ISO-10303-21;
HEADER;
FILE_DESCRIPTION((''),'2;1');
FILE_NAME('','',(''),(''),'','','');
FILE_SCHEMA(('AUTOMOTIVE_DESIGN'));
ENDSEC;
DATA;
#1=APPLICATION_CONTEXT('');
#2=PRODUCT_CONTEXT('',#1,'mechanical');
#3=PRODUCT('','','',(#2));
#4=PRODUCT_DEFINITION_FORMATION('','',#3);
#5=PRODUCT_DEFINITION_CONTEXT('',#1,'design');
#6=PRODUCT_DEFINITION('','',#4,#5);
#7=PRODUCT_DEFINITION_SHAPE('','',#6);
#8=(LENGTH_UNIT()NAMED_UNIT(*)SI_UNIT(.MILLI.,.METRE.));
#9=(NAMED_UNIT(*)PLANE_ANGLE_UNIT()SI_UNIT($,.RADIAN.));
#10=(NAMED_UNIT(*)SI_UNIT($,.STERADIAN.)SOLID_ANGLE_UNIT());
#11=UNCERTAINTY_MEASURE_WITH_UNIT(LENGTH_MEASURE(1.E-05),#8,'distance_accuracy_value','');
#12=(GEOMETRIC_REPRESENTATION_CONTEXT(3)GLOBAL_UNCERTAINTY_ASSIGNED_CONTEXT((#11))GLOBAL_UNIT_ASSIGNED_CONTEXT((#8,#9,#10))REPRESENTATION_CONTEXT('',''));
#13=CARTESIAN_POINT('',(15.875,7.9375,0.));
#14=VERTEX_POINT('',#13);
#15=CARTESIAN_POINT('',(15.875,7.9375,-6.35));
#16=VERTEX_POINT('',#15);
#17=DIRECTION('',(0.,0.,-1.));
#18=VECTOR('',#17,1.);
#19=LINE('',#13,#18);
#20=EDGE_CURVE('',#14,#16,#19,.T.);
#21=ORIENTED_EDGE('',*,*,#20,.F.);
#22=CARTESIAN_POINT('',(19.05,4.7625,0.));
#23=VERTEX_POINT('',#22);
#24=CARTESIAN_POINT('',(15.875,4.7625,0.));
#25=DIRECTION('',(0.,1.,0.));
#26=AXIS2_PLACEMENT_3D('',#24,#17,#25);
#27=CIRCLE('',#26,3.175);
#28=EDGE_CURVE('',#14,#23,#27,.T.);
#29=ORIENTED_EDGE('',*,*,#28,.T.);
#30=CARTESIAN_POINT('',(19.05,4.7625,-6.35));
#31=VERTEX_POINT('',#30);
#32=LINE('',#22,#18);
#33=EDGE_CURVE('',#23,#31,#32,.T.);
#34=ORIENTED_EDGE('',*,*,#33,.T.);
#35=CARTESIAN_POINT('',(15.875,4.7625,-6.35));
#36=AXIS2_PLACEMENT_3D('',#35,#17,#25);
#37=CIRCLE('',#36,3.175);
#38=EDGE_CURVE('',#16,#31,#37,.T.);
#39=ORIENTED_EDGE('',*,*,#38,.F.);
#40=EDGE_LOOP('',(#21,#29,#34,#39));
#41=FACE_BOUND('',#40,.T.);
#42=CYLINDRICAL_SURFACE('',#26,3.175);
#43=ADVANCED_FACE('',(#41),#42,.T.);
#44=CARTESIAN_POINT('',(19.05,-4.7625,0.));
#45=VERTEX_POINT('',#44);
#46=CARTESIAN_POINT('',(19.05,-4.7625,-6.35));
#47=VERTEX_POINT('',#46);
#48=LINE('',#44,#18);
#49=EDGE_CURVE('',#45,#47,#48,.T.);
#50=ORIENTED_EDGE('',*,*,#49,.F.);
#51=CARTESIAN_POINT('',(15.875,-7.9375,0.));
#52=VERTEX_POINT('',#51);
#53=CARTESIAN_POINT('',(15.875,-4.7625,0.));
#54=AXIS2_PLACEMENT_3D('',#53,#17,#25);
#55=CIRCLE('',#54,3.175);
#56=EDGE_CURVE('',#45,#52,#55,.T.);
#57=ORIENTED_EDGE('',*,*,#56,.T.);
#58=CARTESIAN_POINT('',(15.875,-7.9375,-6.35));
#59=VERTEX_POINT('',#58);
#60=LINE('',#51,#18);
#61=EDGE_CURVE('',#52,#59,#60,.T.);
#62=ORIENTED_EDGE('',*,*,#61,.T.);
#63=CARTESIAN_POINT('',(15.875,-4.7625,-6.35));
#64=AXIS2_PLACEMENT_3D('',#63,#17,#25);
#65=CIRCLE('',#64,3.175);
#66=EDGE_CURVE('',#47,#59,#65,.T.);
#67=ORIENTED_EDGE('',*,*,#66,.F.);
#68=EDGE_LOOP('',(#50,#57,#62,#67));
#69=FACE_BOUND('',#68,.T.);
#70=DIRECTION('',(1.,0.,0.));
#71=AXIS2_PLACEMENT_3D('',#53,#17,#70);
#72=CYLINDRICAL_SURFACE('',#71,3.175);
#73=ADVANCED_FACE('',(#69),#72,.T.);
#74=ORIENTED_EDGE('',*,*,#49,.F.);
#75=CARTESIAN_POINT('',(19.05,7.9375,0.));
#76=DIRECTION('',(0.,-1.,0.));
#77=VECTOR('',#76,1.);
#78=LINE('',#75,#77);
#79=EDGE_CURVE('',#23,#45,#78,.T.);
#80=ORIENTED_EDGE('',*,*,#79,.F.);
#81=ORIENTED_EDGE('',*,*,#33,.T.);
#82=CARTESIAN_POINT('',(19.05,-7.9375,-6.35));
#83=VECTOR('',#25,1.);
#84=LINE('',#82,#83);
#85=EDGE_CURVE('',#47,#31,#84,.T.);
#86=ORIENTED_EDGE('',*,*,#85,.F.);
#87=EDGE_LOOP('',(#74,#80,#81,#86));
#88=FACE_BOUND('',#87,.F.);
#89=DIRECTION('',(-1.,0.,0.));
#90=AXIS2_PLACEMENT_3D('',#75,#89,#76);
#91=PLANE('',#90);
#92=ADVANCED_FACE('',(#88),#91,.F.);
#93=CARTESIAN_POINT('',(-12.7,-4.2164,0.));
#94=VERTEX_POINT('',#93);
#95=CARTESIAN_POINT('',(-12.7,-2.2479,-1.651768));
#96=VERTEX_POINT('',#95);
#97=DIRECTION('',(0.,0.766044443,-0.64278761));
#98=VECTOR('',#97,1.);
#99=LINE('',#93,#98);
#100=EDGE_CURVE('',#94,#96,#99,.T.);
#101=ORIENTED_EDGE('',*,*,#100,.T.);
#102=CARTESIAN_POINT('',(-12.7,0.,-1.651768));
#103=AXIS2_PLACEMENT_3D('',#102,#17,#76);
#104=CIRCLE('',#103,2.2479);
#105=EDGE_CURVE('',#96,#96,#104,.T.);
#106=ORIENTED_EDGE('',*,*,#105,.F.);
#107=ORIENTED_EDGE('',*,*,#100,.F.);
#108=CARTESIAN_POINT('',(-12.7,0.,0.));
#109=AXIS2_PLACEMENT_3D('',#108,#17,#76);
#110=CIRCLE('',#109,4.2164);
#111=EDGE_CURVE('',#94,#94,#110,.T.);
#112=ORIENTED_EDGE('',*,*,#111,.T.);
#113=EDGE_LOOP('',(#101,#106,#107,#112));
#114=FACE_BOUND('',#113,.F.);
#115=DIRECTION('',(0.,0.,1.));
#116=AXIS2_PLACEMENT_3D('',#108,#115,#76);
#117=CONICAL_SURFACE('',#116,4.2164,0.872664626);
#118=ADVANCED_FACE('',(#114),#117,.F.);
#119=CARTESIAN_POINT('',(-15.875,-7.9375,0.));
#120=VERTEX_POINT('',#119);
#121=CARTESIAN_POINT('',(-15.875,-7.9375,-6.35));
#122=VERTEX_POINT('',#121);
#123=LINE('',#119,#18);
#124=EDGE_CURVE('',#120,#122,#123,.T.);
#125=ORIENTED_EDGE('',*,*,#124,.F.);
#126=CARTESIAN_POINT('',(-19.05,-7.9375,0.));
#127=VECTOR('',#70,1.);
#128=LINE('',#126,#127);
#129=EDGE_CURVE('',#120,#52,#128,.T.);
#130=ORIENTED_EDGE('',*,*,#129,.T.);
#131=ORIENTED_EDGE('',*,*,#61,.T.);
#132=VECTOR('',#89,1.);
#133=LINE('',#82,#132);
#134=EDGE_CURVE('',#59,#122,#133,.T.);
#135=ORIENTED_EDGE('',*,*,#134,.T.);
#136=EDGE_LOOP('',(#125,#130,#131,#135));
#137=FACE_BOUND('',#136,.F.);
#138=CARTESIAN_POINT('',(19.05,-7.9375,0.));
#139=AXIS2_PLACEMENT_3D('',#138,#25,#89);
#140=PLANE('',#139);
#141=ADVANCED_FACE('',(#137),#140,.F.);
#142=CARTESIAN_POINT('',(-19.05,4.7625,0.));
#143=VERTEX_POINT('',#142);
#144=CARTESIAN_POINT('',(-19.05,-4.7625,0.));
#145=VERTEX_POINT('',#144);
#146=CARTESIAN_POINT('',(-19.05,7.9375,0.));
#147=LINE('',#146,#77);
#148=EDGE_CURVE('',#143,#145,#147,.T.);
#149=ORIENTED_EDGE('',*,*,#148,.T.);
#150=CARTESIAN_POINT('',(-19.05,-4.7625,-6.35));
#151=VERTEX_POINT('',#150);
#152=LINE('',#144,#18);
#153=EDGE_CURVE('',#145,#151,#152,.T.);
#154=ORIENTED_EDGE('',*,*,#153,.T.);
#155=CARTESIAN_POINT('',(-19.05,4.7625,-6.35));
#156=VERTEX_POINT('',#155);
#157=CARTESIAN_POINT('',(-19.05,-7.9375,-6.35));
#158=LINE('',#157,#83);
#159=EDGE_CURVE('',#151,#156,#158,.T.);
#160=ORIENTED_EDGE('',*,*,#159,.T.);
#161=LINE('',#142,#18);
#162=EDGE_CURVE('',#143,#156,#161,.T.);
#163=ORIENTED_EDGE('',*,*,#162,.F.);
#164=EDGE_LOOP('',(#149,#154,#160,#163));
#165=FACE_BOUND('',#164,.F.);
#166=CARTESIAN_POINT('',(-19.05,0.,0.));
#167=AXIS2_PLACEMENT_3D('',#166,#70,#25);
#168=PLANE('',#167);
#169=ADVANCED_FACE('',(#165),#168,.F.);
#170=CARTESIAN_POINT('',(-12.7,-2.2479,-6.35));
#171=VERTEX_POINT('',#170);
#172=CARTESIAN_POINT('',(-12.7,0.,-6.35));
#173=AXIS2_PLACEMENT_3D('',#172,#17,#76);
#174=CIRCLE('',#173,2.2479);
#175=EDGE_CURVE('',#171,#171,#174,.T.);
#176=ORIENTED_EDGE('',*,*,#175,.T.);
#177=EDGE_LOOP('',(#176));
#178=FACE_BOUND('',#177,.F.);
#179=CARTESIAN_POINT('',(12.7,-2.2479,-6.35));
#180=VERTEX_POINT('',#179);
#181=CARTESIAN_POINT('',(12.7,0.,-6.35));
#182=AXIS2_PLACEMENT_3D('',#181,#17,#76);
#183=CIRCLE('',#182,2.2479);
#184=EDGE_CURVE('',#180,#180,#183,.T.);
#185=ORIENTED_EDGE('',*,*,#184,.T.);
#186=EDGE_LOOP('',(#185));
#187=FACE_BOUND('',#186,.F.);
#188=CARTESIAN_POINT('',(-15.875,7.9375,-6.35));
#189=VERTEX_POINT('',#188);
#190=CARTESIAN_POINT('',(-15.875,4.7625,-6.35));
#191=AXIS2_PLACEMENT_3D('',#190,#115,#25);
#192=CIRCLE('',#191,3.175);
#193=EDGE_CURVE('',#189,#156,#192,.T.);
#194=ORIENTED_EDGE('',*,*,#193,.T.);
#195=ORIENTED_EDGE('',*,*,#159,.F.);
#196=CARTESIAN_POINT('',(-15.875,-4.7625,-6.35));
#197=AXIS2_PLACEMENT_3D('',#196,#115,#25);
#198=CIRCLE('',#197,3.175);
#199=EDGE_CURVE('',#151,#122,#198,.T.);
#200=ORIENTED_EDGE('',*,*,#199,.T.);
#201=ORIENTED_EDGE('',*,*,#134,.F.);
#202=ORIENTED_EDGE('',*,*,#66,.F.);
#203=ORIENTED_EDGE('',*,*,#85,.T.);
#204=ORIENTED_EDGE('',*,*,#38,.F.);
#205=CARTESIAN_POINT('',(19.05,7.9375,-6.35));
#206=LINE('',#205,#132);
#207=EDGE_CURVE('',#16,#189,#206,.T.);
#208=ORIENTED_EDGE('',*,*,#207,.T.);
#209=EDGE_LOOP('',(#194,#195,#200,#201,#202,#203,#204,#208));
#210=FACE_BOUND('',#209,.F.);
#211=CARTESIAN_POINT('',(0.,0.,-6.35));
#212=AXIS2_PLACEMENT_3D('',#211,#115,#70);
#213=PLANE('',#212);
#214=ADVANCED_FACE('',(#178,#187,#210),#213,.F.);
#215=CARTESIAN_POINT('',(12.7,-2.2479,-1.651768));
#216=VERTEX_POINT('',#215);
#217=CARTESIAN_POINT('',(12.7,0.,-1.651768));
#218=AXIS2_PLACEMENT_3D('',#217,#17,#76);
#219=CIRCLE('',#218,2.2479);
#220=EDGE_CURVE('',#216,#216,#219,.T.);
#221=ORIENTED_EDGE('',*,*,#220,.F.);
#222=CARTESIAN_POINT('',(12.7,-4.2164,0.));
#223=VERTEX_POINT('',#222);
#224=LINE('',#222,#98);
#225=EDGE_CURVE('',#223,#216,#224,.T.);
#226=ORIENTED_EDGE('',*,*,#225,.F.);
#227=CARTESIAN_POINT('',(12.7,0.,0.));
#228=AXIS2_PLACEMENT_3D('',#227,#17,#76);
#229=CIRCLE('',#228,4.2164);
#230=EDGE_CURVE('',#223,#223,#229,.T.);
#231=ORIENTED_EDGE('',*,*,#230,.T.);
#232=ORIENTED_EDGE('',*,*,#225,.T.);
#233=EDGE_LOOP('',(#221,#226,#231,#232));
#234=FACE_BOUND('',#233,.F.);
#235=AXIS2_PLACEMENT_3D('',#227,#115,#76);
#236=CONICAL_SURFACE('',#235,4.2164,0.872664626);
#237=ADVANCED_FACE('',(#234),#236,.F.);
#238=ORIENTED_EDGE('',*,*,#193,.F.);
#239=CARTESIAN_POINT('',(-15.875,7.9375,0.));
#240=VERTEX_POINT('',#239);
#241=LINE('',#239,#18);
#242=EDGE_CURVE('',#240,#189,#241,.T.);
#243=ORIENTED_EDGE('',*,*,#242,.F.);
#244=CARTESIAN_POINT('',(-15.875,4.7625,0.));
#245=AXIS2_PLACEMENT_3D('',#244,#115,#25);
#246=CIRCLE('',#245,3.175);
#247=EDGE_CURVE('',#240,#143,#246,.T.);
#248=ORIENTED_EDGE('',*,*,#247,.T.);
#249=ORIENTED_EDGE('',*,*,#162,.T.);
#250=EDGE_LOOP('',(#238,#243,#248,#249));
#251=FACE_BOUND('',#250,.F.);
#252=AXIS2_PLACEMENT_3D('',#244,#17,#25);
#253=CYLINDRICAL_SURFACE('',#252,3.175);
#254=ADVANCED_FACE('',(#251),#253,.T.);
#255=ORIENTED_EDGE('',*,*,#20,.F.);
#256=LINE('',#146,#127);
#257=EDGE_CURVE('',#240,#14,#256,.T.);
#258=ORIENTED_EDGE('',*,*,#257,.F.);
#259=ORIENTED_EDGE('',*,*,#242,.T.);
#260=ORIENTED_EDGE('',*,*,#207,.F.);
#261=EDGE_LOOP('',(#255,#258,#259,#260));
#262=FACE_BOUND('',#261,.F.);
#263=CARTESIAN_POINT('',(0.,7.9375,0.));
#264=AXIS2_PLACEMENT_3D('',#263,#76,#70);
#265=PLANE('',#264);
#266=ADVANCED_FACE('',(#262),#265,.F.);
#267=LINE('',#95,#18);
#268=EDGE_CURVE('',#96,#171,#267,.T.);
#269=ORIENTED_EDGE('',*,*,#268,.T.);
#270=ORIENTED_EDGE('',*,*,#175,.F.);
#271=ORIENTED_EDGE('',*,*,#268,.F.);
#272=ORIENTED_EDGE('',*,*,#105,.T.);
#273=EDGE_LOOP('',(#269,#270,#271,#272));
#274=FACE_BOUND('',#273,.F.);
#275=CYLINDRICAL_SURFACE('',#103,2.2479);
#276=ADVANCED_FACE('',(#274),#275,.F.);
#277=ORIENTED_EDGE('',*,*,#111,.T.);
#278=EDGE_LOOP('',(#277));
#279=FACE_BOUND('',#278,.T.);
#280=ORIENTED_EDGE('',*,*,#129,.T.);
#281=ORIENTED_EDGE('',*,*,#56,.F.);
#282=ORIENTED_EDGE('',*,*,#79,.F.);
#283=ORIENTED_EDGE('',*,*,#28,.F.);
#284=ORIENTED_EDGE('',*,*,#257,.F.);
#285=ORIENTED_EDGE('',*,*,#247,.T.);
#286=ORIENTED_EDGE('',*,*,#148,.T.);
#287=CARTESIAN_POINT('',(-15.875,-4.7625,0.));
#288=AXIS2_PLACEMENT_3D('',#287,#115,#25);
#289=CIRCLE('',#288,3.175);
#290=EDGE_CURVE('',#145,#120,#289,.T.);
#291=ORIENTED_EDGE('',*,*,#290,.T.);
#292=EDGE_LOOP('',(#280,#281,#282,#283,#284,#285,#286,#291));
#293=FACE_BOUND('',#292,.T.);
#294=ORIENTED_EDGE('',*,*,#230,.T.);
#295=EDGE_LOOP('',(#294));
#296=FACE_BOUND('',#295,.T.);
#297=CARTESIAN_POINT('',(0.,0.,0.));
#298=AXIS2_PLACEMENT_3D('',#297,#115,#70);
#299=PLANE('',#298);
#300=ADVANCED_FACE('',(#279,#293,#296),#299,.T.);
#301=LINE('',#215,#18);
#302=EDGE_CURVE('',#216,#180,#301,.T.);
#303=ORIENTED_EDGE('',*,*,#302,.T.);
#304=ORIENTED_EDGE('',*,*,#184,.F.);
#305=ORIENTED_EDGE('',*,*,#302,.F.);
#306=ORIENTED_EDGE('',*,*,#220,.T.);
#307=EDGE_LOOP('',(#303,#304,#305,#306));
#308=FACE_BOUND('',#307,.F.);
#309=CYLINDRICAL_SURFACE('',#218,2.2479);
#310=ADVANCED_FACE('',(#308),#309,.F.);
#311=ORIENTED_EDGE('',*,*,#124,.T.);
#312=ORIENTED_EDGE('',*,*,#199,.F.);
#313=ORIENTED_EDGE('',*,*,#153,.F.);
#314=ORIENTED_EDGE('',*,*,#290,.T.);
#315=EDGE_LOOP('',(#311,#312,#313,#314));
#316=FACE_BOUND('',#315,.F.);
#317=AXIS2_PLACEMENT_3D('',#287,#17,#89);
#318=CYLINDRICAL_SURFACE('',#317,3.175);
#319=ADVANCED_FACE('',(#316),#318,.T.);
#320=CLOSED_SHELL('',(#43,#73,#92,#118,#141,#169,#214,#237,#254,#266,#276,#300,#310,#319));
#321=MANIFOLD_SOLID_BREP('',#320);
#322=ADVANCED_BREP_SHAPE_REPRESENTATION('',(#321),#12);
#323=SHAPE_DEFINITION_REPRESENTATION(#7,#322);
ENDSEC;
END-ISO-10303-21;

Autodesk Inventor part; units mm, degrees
ref_plane "YZ Plane" through (0, 0, 0) normal (1, 0, 0) x (0, 1, 0)
ref_plane "XZ Plane" through (0, 0, 0) normal (0, 1, 0) x (-1, 0, 0)
ref_plane "XY Plane" through (0, 0, 0) normal (0, 0, 1) x (1, 0, 0)
sketch "Sketch1" plane through (0, 0, 0) normal (0, 0, 1) x (1, 0, 0)
  line L0 (0, 11.1125) -> (0, -11.1125) projected
  line L1 (-26.67, 0) -> (26.67, 0) projected
  line L2 (19.05, -7.9375) -> (-19.05, -7.9375)
  line L3 (-19.05, -7.9375) -> (-19.05, 7.9375)
  line L4 (-19.05, 7.9375) -> (19.05, 7.9375)
  line L5 (19.05, 7.9375) -> (19.05, -7.9375)
  line L6 (19.05, -7.9375) -> (-19.05, 7.9375) construction
  line L7 (-19.05, -7.9375) -> (19.05, 7.9375) construction
  point P0 (0, 0)
  point P1 (-12.7, 0)
  point P2 (12.7, 0)
  dimension "d0" = 38.1
  dimension "d1" = 12.7
  dimension "d2" = 12.7
  dimension "d3" = 15.875
extrude "Extrusion1" add sketch "Sketch1" against normal blind 6.35
hole "Hole1" at (-12.7, 0, 0) at (12.7, 0, 0) direction (0, 0, -1) diameter 4.4958 end through all countersink diameter 8.4328 countersink angle 100 clearance for "Flat Head Machine Screw (100)" size "#8" standard "Ansi Unified Screw Threads"
fillet "Fillet1" radius 3.175 4 edges at (-19.05, 7.9375, -3.175) (19.05, 7.9375, -3.175) (19.05, -7.9375, -3.175) (-19.05, -7.9375, -3.175)
